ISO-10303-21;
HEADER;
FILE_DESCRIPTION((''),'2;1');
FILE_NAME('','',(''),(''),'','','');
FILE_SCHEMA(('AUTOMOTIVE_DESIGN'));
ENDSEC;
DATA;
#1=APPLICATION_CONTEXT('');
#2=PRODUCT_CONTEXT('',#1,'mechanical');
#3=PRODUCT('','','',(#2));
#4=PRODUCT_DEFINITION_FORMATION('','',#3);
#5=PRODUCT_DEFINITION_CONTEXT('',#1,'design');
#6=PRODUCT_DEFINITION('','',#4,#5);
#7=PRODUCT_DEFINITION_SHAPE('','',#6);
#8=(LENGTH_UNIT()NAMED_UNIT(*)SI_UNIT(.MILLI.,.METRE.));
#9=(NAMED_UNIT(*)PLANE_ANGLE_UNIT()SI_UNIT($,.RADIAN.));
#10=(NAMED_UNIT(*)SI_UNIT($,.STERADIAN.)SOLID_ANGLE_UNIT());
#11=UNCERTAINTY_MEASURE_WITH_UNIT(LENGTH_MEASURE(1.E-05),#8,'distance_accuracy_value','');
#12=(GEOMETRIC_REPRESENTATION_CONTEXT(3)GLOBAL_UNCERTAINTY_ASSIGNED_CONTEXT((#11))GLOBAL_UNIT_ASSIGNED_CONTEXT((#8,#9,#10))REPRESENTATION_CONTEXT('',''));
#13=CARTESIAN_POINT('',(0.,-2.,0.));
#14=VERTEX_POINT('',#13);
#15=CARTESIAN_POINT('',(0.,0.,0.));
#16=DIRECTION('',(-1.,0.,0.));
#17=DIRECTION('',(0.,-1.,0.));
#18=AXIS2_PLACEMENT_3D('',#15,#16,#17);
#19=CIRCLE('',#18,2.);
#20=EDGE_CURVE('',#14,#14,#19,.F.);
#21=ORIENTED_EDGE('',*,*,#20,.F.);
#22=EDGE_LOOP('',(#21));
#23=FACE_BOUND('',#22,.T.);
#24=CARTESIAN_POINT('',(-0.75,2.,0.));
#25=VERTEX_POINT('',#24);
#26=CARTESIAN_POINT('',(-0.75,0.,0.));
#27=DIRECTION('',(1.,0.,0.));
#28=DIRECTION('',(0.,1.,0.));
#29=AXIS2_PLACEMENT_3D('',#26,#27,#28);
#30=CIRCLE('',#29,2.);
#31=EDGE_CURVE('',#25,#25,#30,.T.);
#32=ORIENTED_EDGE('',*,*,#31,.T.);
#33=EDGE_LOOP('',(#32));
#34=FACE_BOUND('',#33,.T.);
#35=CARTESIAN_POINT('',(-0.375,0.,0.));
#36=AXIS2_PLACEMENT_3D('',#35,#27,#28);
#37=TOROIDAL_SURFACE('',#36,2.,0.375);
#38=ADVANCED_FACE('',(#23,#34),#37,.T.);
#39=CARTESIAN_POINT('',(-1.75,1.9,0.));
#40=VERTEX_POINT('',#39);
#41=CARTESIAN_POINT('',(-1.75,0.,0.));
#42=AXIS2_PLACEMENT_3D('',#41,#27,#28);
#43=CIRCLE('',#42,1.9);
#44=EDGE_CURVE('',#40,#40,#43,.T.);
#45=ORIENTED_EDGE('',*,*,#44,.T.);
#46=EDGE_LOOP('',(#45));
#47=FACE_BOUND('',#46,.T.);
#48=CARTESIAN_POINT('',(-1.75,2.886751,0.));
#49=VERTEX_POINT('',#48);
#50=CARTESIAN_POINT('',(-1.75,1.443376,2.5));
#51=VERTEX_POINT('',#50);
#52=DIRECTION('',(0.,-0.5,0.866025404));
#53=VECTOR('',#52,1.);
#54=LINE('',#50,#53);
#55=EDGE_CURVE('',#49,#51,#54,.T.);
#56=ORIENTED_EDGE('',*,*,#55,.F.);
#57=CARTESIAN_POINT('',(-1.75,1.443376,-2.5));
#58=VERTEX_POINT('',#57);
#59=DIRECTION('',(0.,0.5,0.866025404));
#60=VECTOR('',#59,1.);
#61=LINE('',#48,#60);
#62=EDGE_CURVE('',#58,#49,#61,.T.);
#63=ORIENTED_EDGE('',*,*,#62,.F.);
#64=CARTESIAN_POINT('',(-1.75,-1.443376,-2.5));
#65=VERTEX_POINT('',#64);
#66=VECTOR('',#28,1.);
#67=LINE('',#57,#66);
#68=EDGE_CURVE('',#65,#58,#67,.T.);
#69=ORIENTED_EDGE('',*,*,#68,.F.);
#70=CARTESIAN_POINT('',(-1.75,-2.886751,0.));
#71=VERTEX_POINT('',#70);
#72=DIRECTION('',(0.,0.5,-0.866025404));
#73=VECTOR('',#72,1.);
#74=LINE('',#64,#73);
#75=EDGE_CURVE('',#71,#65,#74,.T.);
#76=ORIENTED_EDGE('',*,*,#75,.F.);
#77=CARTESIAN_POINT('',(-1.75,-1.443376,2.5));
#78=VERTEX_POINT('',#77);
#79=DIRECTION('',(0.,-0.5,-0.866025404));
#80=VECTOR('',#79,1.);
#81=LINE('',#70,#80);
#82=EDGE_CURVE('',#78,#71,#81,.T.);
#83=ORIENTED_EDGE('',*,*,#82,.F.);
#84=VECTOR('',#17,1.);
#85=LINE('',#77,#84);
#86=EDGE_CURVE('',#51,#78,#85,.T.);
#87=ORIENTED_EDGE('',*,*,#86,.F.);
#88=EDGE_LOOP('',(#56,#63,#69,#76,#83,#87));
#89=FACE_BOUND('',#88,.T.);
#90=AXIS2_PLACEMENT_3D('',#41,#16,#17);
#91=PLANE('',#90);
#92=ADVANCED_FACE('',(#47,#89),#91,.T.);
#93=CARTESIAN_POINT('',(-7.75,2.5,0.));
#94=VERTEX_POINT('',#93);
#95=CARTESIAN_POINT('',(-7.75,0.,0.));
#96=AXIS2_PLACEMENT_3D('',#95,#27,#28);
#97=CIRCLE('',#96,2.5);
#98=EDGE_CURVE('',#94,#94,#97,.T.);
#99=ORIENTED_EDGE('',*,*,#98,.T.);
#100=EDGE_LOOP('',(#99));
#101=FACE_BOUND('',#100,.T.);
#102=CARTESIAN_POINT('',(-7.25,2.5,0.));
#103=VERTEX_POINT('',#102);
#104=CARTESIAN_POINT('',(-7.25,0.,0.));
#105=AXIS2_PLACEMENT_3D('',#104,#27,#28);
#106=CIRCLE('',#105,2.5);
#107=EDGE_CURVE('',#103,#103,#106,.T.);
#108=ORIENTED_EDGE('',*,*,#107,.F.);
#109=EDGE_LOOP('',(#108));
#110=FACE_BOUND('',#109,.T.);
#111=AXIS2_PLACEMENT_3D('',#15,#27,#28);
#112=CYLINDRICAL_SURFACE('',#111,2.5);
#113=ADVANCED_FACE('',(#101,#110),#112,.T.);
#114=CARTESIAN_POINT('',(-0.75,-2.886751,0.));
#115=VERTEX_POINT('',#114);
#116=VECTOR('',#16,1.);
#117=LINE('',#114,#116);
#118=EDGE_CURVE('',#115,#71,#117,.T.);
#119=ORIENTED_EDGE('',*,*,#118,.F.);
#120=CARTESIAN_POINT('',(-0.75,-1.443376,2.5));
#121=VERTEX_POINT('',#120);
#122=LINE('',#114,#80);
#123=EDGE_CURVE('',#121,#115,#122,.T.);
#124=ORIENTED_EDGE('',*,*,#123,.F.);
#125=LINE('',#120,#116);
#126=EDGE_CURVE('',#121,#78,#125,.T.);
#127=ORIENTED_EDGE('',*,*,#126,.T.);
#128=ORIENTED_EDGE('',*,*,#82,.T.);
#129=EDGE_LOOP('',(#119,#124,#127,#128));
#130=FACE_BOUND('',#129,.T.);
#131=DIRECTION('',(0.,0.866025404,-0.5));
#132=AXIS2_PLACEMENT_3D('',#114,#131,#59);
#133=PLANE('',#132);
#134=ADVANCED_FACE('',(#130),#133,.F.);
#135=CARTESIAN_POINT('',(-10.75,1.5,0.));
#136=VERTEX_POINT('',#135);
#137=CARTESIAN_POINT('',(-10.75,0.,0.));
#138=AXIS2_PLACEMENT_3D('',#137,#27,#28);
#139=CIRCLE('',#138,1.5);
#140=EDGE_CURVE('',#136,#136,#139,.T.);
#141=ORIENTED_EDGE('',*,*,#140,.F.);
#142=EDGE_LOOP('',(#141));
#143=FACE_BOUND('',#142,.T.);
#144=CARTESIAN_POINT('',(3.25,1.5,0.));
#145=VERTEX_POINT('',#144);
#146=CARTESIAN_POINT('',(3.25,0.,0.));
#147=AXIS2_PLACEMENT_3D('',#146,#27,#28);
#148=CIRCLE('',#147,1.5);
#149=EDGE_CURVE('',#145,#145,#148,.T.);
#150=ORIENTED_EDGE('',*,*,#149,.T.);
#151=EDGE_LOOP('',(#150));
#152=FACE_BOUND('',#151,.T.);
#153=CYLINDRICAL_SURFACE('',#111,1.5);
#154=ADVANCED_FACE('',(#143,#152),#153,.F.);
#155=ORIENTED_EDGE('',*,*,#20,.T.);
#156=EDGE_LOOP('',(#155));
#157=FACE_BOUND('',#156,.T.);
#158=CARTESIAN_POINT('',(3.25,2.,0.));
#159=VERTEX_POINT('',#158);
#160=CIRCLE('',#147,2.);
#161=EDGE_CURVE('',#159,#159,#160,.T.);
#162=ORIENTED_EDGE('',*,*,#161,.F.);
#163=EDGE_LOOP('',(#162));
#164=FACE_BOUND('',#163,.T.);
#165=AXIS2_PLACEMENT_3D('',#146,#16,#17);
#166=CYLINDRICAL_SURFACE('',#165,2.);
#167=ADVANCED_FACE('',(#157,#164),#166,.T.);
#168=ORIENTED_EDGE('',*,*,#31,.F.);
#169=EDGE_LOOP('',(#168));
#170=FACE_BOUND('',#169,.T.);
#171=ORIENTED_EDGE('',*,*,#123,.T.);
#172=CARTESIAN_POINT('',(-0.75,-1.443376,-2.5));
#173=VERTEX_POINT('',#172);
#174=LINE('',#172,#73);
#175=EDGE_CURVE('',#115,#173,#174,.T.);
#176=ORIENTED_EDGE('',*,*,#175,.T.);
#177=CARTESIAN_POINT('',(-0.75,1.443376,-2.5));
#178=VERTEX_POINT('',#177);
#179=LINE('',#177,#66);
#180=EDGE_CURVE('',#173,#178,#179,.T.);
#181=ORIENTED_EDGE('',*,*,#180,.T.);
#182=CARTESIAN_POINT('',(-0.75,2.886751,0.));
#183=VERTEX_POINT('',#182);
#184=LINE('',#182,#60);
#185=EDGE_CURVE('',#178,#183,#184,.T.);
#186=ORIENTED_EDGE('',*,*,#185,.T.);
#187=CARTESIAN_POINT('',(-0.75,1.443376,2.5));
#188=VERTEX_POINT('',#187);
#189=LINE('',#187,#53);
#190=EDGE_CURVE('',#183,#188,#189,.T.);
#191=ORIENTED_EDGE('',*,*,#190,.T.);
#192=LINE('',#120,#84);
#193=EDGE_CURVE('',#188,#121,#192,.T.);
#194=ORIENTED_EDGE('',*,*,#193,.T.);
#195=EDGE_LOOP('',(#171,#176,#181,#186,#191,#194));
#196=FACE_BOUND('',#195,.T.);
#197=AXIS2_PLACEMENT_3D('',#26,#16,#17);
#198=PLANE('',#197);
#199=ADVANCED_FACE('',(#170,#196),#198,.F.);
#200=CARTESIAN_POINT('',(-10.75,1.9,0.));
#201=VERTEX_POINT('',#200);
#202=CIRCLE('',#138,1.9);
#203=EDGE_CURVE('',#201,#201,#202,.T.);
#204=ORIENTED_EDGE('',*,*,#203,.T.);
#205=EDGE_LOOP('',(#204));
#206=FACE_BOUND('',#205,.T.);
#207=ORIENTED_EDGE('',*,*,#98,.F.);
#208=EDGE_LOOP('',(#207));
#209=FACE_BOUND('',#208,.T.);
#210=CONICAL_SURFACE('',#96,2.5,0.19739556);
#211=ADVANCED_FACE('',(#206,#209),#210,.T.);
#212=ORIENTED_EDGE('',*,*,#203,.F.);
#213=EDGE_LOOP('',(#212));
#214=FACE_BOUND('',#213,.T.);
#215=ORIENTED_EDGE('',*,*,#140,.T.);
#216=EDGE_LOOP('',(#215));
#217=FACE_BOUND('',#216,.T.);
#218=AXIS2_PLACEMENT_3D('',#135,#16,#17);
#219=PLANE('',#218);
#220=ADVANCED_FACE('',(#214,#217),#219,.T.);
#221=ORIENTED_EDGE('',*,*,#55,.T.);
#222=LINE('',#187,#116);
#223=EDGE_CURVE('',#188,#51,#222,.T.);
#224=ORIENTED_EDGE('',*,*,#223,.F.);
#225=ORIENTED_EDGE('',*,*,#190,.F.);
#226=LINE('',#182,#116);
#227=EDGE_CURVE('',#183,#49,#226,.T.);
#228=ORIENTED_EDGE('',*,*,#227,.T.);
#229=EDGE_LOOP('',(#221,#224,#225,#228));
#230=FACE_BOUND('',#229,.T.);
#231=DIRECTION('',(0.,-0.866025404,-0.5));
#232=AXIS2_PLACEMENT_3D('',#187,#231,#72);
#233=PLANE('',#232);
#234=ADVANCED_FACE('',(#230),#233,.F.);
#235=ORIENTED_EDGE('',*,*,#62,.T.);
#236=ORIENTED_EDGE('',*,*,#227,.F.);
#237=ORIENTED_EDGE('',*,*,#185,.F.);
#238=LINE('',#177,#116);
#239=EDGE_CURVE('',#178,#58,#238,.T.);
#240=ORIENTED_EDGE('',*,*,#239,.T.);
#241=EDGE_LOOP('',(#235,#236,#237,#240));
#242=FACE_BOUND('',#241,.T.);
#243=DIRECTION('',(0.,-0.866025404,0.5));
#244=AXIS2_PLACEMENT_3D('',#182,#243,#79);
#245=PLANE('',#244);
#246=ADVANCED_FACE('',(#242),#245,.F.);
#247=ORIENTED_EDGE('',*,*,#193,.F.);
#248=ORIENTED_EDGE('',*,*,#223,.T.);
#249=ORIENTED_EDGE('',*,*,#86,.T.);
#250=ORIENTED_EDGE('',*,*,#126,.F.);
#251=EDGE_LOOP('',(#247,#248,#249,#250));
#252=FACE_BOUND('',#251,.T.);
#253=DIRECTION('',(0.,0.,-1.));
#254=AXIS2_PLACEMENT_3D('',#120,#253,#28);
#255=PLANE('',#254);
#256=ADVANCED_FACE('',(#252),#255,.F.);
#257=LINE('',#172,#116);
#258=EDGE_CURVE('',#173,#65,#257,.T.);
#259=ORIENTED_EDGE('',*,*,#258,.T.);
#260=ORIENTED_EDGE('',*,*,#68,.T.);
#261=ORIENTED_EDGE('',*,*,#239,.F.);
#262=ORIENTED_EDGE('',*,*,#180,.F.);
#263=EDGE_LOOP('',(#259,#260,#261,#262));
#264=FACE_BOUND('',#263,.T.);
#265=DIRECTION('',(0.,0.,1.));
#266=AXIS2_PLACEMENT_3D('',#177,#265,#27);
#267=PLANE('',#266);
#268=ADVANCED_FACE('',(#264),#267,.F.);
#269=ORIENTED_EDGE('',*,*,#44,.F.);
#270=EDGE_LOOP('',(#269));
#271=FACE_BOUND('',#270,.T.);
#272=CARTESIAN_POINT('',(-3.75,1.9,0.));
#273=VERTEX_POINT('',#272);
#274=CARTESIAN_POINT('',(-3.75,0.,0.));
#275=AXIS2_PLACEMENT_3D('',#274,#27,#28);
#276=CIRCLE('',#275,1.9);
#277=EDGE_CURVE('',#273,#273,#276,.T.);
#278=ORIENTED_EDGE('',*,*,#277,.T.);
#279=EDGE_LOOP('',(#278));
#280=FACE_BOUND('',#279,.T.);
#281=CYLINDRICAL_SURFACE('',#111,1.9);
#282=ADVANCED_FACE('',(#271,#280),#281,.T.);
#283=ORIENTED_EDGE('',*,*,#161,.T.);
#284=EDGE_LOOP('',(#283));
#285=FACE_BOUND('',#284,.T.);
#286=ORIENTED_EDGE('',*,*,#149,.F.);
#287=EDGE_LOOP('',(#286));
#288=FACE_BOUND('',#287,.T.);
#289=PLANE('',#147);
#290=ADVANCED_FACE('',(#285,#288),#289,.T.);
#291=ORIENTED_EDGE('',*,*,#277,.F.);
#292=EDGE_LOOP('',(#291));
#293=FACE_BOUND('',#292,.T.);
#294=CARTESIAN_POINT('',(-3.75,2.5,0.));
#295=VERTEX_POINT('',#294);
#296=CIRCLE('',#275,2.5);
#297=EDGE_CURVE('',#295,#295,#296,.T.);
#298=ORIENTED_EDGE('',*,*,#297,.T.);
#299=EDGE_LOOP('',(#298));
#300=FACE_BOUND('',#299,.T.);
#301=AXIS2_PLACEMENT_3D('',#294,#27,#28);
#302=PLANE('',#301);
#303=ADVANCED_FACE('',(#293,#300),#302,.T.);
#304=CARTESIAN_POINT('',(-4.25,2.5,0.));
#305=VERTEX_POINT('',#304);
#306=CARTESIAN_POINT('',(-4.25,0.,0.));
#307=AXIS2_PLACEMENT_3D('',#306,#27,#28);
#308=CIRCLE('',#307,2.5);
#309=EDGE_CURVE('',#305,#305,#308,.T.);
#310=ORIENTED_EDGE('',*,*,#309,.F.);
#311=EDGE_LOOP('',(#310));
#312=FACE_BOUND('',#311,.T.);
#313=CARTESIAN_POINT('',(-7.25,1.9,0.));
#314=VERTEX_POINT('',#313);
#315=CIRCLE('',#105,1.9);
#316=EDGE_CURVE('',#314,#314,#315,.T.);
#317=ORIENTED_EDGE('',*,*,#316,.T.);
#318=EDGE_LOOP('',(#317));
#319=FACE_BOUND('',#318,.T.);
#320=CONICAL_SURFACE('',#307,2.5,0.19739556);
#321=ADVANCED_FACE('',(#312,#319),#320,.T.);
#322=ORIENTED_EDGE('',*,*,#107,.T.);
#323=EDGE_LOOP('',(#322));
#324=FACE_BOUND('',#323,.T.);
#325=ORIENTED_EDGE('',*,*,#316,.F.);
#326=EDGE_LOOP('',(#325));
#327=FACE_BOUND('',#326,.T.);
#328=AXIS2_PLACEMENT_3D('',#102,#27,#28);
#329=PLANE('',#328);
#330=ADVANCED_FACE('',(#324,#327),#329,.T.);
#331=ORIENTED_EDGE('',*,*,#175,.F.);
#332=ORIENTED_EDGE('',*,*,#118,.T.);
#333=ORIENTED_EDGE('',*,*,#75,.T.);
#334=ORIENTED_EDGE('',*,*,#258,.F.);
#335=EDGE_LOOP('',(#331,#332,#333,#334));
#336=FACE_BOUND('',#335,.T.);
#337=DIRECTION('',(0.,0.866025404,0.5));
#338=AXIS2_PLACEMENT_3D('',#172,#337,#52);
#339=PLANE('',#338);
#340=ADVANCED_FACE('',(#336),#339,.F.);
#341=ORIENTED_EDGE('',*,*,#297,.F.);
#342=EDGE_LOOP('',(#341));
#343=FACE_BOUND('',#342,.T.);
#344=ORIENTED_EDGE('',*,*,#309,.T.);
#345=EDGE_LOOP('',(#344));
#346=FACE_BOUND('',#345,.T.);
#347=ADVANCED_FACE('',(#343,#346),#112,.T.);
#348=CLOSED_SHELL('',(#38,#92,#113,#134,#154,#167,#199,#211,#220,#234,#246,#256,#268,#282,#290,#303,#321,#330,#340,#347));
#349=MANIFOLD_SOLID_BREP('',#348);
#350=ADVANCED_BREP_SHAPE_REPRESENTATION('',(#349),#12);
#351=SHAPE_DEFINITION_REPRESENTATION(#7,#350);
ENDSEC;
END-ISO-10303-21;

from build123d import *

# Parameters (mm, degrees)
ESQUISSE1_R        = 0.375
ESQUISSE2_R        = 1.5
BOSS_EXTRU_1_DEPTH = 1
ESQUISSE3_R        = 2
ESQUISSE3_R_2      = 1.5
BOSS_EXTRU_2_DEPTH = 4


with BuildPart() as part:
    # Esquisse1 → Révolution1 (revolve)
    with BuildSketch(Plane.XY):
        with Locations((-0.375, 2)):
            Circle(ESQUISSE1_R)
        Polygon((-10.75, 1.5), (-1.75, 1.5), (-1.75, 1.9), (-3.75, 1.9), (-3.75, 2.5), (-4.25, 2.5), (-7.25, 1.9), (-7.25, 2.5), (-7.75, 2.5), (-10.75, 1.9), align=None)
    revolve(axis=Axis((0, 0, 0), (-1, 0, 0)))

    # Esquisse2 → Boss.-Extru.1 (add)
    with BuildSketch(Plane(origin=(-1.75, 0, 0), x_dir=(0, 0, -1), z_dir=(1, 0, 0))):
        Polygon((-2.5, -1.443375673), (-2.5, 1.443375673), (0, 2.886751346), (2.5, 1.443375673), (2.5, -1.443375673), (0, -2.886751346), align=None)
        with Locations(Location((0, 0, 0), (0, 0, 90))):
            Circle(ESQUISSE2_R, mode=Mode.SUBTRACT)
    extrude(amount=BOSS_EXTRU_1_DEPTH)

    # Esquisse3 → Boss.-Extru.2 (add)
    with BuildSketch(Plane(origin=(-0.75, 0, 0), x_dir=(0, 0, -1), z_dir=(1, 0, 0))):
        with Locations(Location((0, 0, 0), (0, 0, 270))):
            Circle(ESQUISSE3_R)
        with Locations(Location((0, 0, 0), (0, 0, 90))):
            Circle(ESQUISSE3_R_2, mode=Mode.SUBTRACT)
    extrude(amount=BOSS_EXTRU_2_DEPTH)


solid = part.part
